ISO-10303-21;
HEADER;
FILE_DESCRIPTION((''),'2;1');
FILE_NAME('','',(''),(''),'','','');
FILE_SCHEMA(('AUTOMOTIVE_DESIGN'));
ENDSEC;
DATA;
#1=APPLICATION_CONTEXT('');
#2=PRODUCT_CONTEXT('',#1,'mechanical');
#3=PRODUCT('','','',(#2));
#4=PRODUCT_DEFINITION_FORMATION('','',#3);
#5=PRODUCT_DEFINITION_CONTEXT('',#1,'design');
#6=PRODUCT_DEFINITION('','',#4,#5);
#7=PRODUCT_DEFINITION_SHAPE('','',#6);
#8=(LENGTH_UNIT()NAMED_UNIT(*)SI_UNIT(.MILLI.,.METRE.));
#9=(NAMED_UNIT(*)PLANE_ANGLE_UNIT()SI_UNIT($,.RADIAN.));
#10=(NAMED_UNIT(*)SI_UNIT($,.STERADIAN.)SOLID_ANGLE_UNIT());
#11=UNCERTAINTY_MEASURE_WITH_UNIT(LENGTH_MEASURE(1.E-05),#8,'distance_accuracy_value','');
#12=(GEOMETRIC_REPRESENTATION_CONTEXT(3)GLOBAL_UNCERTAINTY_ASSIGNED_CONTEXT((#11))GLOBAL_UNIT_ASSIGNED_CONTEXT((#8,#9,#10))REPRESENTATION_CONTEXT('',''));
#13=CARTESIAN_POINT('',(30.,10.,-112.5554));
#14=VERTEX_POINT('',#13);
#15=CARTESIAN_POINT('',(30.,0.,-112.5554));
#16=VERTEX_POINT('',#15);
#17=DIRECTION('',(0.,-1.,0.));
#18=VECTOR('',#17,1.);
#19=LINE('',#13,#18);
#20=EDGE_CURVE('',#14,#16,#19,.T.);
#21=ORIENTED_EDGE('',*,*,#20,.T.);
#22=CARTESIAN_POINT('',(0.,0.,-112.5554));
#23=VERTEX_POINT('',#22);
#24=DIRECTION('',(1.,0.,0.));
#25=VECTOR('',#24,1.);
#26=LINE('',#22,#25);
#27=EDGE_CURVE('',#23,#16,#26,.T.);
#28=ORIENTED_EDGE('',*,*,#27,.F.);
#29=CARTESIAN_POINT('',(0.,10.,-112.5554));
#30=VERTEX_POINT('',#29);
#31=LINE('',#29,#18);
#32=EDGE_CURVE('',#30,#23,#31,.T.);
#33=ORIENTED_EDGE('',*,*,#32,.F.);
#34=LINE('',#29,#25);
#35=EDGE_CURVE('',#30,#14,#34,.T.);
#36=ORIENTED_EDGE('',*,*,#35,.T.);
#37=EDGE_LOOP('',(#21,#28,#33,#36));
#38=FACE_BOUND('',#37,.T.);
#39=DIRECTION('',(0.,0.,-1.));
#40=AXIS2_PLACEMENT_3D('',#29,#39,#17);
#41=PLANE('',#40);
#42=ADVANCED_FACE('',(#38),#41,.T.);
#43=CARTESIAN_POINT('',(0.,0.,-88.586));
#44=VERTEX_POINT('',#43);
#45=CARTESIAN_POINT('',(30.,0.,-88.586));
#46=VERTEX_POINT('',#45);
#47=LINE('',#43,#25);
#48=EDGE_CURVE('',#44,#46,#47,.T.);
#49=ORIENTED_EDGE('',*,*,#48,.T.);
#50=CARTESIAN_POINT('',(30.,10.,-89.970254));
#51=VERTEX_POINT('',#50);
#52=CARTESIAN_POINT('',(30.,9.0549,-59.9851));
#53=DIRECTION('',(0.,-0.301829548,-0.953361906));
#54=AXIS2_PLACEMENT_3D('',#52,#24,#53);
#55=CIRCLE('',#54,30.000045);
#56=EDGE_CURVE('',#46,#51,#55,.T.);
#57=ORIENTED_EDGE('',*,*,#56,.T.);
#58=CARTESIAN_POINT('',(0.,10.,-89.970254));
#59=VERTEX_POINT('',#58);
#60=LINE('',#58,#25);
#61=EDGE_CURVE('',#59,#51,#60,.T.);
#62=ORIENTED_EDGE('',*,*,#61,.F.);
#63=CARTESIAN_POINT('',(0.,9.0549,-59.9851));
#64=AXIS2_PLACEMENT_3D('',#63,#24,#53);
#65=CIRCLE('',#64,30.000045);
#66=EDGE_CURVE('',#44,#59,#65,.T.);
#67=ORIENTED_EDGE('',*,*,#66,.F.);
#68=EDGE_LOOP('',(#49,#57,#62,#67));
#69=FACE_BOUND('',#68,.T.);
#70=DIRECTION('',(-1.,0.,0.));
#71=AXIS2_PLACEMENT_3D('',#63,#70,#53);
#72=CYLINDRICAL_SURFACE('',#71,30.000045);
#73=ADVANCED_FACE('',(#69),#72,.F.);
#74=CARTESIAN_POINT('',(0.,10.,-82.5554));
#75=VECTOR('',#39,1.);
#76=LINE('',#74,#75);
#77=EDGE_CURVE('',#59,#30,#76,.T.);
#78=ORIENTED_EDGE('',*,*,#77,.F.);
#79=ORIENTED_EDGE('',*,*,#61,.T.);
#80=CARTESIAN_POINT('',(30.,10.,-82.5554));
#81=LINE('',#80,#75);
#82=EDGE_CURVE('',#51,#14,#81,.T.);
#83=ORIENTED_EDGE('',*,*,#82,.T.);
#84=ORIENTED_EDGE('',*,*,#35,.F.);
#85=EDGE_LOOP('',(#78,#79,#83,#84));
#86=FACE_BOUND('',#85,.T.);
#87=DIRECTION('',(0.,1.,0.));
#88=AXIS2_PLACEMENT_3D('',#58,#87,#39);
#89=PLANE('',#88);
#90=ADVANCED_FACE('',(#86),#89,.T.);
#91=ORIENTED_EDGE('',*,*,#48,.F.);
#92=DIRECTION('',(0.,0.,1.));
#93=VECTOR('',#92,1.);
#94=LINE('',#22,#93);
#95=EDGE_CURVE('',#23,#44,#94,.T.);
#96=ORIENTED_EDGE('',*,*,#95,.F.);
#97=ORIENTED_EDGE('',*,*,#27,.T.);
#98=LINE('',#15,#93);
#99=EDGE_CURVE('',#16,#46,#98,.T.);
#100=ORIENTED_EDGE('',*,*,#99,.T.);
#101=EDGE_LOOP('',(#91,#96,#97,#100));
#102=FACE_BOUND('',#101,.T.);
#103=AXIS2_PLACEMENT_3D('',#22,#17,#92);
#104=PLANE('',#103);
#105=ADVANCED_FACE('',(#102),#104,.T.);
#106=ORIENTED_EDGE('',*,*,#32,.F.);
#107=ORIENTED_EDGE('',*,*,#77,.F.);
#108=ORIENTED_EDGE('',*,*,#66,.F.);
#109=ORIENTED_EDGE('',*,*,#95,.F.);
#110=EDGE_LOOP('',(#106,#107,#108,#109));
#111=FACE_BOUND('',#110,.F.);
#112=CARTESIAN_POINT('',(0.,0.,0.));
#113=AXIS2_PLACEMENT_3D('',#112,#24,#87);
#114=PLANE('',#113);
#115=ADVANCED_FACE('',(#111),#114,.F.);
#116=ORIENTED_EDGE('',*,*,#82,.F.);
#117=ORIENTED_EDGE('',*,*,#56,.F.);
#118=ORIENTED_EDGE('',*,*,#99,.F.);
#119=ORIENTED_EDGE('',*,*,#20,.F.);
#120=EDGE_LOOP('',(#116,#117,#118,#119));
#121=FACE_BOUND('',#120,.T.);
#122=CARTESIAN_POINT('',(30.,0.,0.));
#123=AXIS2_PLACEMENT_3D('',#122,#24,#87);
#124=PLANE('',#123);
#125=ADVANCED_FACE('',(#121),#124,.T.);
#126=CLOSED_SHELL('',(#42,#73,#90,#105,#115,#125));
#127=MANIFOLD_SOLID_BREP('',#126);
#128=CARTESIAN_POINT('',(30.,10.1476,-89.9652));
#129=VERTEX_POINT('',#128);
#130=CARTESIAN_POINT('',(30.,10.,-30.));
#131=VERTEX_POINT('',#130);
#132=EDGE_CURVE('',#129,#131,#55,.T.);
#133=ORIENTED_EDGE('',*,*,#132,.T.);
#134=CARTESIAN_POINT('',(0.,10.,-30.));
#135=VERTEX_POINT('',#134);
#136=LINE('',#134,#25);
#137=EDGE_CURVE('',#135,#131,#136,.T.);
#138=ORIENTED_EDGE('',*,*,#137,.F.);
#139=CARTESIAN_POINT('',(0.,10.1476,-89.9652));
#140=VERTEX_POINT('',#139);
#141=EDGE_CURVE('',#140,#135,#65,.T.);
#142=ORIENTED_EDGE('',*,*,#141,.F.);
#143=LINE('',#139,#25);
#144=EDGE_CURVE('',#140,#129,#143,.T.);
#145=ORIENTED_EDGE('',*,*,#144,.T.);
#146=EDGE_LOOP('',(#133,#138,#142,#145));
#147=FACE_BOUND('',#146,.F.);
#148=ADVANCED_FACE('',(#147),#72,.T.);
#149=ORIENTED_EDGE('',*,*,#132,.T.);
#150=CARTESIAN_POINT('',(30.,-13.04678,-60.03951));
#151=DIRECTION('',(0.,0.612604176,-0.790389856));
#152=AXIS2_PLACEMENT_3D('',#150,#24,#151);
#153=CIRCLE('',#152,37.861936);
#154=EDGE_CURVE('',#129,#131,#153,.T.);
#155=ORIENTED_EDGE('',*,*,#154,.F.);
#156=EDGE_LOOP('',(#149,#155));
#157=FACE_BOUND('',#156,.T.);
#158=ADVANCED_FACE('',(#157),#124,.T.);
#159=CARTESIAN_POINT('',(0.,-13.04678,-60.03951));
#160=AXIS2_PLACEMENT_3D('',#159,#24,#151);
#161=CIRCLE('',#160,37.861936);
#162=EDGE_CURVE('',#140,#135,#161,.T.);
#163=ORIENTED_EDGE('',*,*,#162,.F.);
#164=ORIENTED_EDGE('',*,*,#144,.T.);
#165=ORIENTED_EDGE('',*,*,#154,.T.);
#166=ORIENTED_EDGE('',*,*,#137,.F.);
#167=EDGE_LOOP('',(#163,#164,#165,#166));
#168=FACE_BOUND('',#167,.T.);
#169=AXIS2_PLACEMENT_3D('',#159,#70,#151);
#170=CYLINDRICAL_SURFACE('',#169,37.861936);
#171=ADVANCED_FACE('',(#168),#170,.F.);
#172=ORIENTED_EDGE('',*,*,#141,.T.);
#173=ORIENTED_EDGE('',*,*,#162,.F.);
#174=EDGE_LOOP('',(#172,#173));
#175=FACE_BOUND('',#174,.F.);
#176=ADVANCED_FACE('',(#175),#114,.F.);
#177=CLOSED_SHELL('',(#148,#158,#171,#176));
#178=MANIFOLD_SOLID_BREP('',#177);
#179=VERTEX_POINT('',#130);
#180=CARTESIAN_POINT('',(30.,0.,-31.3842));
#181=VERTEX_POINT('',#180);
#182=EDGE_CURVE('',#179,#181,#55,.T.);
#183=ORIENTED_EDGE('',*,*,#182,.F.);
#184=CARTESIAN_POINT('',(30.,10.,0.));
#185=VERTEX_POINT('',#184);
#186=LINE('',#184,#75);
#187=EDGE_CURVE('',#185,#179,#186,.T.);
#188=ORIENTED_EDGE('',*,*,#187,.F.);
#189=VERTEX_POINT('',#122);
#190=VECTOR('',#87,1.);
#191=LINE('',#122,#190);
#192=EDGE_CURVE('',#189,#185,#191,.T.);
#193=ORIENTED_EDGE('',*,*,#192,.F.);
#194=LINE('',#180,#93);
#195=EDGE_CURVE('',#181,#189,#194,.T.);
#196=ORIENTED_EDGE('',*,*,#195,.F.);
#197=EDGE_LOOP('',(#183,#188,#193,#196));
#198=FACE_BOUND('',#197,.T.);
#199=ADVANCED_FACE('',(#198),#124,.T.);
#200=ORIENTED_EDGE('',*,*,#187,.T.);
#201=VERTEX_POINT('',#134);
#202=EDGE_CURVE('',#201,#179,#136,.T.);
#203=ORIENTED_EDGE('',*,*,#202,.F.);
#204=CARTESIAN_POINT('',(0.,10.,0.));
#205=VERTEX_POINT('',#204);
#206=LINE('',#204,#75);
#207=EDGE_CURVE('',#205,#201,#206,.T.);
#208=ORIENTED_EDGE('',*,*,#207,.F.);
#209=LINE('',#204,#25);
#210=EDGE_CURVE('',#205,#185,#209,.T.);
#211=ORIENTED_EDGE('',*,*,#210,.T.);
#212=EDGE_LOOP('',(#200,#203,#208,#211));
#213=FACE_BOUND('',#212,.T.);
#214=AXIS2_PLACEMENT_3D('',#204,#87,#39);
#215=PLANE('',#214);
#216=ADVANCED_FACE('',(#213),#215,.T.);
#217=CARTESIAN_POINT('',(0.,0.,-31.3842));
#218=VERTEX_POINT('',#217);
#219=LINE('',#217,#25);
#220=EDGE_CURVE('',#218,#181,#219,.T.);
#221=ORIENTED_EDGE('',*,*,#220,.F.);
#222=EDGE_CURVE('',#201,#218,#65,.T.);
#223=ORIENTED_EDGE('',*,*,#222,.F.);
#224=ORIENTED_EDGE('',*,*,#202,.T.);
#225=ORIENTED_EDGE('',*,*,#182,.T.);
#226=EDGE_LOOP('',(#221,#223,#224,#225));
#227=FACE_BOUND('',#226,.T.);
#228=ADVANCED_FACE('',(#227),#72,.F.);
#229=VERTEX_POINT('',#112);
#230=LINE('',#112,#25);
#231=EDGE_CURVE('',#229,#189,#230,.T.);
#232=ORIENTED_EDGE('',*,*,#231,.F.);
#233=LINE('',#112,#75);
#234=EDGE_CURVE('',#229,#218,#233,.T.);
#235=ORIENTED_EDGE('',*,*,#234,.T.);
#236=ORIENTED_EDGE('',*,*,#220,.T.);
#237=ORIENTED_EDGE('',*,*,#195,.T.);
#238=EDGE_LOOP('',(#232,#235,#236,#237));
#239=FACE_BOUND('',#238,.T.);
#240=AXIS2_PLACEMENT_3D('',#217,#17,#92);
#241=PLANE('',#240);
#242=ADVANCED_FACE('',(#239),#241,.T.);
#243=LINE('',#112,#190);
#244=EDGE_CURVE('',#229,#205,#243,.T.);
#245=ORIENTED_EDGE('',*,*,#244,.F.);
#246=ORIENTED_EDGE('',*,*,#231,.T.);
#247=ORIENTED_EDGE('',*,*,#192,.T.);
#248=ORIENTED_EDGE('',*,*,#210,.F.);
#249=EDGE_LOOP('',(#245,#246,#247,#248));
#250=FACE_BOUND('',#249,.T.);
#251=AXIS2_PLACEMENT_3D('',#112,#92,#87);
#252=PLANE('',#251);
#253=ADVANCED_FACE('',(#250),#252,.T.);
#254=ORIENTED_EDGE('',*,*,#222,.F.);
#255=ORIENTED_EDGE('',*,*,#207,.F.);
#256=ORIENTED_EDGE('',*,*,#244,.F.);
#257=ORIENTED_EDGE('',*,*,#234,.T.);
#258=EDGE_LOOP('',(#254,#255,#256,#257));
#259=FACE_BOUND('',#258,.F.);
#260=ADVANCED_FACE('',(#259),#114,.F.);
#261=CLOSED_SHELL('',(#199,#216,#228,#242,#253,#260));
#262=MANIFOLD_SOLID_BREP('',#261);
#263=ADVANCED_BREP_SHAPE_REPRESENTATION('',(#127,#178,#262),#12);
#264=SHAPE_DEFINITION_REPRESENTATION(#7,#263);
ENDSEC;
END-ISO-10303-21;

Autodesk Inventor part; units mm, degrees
ref_plane "YZ Plane" through (0, 0, 0) normal (1, 0, 0) x (0, 1, 0)
ref_plane "XZ Plane" through (0, 0, 0) normal (0, 1, 0) x (-1, 0, 0)
ref_plane "XY Plane" through (0, 0, 0) normal (0, 0, 1) x (1, 0, 0)
sketch "Sketch1" plane through (0, 0, 0) normal (1, 0, 0) x (0, 1, 0)
  line L0 (0, 0) -> (10, 0)
  line L1 (10, 0) -> (10, -30)
  line L2 (0, 0) -> (0, -20)
  arc A0 (0, -88.586) -> (0, -31.3842) centre (9.0549, -59.9851) ccw
  line L3 (10, -82.5554) -> (10, -112.5554)
  line L4 (10, -112.5554) -> (0, -112.5554)
  line L5 (0, -112.5554) -> (0, -88.586)
  line L6 (0, -31.3842) -> (0, -20)
  arc A1 (10.1476, -89.9652) -> (10, -30) centre (-13.0468, -60.0395) ccw
  point P0 (10, -26.568)
  point P1 (10, -89.9702)
  dimension "d0" = 10
  dimension "d1" = 30
  dimension "d2" = 20
  dimension "d3" = 30
  dimension "d6" = 30
  dimension "d7" = 10
extrude "Extrusion1" add sketch "Sketch1" along normal blind 30 contours L3 L4 L5 A0 | L0 L1 A0 L6 L2
extrude "Extrusion2" add sketch "Sketch1" along normal blind 30 contours A0 A1
properties part number "secures"
